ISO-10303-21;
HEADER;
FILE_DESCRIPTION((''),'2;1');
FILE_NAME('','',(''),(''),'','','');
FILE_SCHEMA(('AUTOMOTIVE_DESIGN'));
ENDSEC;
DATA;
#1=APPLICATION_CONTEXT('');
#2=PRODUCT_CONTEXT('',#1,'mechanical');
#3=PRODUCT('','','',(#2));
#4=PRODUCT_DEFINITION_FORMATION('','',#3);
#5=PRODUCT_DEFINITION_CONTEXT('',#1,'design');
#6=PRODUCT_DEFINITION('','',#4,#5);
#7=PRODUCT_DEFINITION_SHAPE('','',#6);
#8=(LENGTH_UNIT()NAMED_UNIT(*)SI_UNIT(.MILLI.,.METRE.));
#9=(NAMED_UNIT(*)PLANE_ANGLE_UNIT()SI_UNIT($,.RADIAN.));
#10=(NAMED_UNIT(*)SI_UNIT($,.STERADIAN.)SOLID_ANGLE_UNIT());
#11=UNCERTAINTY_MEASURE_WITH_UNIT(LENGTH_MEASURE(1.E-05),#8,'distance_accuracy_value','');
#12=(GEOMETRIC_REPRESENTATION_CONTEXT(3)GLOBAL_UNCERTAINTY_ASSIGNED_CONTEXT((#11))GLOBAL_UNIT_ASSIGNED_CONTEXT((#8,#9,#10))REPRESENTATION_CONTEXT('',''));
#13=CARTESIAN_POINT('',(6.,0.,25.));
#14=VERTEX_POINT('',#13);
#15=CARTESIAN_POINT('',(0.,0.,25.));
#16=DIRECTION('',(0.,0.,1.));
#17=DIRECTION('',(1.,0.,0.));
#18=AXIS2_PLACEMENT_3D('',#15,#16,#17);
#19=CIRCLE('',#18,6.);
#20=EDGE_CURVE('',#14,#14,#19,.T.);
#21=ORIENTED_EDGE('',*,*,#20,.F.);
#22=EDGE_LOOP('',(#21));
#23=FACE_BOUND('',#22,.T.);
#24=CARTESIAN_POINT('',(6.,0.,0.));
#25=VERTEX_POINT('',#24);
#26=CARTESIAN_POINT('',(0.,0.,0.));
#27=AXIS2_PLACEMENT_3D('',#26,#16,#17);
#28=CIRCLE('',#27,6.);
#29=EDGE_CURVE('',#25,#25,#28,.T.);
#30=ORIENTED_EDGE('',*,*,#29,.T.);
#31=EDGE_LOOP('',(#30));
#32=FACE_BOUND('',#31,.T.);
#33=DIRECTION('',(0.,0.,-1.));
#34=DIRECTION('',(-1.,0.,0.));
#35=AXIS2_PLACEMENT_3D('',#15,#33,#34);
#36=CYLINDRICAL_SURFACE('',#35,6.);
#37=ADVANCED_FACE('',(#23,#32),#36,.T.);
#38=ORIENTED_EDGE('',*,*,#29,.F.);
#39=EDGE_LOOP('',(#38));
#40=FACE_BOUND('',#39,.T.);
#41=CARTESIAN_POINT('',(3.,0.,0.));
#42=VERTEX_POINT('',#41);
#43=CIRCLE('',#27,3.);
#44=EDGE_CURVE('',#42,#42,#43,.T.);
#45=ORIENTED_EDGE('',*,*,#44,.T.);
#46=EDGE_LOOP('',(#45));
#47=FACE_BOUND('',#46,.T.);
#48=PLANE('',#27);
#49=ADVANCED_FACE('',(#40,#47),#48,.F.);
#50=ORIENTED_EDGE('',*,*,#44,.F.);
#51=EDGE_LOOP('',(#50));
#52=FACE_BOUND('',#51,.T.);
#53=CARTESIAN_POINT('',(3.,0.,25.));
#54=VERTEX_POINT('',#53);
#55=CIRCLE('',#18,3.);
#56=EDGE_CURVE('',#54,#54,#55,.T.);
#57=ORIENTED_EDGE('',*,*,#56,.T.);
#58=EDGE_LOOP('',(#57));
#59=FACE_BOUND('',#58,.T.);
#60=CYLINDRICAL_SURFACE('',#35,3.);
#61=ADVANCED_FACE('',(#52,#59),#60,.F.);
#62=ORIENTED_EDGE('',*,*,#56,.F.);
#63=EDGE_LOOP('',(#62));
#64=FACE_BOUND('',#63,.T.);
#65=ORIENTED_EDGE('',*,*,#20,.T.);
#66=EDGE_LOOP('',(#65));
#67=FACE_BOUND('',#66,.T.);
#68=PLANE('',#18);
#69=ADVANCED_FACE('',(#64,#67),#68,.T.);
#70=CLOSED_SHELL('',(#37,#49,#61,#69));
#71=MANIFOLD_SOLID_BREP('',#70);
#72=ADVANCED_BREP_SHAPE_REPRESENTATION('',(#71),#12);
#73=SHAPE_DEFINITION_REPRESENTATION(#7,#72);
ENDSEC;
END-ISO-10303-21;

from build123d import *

# Parameters (mm, degrees)
IZIM1_R                     = 6
IZIM1_R_2                   = 3
Y_KSEKLIK_EKSTR_ZYON1_DEPTH = 25


with BuildPart() as part:
    # Çizim1 → Yükseklik-Ekstrüzyon1 (new body)
    with BuildSketch(Plane.XY):
        Circle(IZIM1_R)
        Circle(IZIM1_R_2, mode=Mode.SUBTRACT)
    extrude(amount=Y_KSEKLIK_EKSTR_ZYON1_DEPTH)


solid = part.part
